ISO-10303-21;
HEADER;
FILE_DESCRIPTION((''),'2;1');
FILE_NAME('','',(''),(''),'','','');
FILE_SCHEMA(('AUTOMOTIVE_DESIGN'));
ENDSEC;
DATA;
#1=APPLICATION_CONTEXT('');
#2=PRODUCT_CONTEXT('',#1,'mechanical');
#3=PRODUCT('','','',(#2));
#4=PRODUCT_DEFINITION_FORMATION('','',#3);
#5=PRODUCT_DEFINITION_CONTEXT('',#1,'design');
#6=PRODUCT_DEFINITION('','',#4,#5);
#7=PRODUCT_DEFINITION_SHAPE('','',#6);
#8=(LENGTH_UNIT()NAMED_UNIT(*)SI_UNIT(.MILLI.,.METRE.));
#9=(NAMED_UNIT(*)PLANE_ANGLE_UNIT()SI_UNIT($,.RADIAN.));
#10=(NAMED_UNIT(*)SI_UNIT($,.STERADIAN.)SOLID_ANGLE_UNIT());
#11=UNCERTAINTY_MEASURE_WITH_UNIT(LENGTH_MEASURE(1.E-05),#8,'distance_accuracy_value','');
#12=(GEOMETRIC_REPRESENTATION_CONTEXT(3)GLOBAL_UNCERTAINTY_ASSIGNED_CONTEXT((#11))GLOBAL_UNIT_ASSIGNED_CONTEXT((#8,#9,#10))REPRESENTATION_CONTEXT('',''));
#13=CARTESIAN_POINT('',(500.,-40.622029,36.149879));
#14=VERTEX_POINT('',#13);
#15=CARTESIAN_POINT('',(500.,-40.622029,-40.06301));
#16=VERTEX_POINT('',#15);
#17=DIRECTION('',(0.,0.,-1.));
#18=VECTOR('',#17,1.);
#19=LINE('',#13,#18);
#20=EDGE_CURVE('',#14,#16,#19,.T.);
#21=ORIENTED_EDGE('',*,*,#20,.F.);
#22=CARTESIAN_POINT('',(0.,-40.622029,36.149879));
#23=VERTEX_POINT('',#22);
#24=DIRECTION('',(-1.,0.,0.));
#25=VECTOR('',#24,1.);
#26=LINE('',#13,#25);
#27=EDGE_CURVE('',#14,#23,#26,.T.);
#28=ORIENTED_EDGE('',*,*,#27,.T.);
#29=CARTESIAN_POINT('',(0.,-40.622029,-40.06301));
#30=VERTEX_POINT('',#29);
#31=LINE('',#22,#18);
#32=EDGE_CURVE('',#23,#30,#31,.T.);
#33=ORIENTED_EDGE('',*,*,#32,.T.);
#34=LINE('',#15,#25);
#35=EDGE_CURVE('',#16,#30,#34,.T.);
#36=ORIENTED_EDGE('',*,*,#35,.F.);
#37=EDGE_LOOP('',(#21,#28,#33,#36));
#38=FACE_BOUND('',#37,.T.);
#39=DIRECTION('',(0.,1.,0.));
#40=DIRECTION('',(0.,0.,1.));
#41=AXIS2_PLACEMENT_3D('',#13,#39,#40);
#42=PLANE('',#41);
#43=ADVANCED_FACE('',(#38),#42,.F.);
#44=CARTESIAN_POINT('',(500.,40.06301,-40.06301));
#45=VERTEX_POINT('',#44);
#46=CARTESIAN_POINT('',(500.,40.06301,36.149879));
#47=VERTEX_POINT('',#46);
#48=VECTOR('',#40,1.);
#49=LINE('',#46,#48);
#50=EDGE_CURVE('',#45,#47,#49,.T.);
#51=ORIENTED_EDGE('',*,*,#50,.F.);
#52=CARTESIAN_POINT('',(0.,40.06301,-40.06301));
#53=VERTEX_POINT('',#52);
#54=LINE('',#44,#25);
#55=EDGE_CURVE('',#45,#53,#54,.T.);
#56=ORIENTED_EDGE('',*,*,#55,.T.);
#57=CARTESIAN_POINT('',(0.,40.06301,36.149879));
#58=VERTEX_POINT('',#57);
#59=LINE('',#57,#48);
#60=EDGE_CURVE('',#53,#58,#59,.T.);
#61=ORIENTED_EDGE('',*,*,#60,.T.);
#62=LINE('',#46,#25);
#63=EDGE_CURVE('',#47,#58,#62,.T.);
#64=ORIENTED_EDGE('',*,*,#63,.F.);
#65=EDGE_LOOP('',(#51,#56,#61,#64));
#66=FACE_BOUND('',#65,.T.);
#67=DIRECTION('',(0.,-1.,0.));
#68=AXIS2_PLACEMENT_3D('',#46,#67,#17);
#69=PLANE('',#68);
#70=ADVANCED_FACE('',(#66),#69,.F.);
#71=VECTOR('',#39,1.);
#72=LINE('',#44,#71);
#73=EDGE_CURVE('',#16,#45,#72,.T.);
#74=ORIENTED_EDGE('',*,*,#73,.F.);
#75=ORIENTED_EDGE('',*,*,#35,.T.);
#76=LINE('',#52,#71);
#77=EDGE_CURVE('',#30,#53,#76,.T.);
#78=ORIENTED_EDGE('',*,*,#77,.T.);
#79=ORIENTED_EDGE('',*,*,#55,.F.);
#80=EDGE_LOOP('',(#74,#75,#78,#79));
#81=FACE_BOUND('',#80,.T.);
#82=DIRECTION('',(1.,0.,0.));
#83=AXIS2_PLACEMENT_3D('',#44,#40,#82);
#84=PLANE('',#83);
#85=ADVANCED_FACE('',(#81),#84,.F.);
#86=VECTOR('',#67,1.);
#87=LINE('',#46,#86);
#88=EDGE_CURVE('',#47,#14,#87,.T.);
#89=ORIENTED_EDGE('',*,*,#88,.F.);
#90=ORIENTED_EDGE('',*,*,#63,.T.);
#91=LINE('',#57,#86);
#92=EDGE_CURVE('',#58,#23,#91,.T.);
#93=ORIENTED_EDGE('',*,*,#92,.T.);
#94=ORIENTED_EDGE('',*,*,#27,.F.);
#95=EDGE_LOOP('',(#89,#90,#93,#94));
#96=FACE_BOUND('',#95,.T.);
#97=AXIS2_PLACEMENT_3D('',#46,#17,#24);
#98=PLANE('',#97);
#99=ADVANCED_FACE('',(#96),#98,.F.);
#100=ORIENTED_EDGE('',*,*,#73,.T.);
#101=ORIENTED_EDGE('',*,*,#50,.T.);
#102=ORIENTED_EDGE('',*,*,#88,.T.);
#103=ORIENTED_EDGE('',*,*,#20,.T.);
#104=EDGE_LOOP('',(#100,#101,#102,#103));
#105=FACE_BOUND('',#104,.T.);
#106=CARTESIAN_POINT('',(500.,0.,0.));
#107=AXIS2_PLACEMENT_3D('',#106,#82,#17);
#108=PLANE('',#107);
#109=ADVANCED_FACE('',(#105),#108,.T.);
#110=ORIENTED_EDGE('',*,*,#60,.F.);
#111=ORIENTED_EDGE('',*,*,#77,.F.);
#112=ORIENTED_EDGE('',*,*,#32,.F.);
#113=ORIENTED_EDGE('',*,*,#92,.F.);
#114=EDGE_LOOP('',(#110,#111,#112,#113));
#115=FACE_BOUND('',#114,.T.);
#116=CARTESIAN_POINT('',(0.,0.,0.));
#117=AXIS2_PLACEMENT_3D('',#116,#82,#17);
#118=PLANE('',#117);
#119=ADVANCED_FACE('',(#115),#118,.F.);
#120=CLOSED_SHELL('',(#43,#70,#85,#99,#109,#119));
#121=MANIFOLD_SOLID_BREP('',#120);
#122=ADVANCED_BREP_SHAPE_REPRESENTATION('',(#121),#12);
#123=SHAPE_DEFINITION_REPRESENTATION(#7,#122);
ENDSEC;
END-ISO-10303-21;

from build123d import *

# Parameters (mm, degrees)
SKETCH_1_W      = 76.212888387
SKETCH_1_H      = 80.685038317
EXTRUDE_1_DEPTH = 500


with BuildPart() as part:
    # 草图1 → 凸台-拉伸1 (new body)
    with BuildSketch(Plane(origin=(0, 0, 0), x_dir=(0, 0, -1), z_dir=(1, 0, 0))):
        with Locations((1.956565594, -0.279509371)):
            Rectangle(SKETCH_1_W, SKETCH_1_H)
    extrude(amount=EXTRUDE_1_DEPTH)


solid = part.part
